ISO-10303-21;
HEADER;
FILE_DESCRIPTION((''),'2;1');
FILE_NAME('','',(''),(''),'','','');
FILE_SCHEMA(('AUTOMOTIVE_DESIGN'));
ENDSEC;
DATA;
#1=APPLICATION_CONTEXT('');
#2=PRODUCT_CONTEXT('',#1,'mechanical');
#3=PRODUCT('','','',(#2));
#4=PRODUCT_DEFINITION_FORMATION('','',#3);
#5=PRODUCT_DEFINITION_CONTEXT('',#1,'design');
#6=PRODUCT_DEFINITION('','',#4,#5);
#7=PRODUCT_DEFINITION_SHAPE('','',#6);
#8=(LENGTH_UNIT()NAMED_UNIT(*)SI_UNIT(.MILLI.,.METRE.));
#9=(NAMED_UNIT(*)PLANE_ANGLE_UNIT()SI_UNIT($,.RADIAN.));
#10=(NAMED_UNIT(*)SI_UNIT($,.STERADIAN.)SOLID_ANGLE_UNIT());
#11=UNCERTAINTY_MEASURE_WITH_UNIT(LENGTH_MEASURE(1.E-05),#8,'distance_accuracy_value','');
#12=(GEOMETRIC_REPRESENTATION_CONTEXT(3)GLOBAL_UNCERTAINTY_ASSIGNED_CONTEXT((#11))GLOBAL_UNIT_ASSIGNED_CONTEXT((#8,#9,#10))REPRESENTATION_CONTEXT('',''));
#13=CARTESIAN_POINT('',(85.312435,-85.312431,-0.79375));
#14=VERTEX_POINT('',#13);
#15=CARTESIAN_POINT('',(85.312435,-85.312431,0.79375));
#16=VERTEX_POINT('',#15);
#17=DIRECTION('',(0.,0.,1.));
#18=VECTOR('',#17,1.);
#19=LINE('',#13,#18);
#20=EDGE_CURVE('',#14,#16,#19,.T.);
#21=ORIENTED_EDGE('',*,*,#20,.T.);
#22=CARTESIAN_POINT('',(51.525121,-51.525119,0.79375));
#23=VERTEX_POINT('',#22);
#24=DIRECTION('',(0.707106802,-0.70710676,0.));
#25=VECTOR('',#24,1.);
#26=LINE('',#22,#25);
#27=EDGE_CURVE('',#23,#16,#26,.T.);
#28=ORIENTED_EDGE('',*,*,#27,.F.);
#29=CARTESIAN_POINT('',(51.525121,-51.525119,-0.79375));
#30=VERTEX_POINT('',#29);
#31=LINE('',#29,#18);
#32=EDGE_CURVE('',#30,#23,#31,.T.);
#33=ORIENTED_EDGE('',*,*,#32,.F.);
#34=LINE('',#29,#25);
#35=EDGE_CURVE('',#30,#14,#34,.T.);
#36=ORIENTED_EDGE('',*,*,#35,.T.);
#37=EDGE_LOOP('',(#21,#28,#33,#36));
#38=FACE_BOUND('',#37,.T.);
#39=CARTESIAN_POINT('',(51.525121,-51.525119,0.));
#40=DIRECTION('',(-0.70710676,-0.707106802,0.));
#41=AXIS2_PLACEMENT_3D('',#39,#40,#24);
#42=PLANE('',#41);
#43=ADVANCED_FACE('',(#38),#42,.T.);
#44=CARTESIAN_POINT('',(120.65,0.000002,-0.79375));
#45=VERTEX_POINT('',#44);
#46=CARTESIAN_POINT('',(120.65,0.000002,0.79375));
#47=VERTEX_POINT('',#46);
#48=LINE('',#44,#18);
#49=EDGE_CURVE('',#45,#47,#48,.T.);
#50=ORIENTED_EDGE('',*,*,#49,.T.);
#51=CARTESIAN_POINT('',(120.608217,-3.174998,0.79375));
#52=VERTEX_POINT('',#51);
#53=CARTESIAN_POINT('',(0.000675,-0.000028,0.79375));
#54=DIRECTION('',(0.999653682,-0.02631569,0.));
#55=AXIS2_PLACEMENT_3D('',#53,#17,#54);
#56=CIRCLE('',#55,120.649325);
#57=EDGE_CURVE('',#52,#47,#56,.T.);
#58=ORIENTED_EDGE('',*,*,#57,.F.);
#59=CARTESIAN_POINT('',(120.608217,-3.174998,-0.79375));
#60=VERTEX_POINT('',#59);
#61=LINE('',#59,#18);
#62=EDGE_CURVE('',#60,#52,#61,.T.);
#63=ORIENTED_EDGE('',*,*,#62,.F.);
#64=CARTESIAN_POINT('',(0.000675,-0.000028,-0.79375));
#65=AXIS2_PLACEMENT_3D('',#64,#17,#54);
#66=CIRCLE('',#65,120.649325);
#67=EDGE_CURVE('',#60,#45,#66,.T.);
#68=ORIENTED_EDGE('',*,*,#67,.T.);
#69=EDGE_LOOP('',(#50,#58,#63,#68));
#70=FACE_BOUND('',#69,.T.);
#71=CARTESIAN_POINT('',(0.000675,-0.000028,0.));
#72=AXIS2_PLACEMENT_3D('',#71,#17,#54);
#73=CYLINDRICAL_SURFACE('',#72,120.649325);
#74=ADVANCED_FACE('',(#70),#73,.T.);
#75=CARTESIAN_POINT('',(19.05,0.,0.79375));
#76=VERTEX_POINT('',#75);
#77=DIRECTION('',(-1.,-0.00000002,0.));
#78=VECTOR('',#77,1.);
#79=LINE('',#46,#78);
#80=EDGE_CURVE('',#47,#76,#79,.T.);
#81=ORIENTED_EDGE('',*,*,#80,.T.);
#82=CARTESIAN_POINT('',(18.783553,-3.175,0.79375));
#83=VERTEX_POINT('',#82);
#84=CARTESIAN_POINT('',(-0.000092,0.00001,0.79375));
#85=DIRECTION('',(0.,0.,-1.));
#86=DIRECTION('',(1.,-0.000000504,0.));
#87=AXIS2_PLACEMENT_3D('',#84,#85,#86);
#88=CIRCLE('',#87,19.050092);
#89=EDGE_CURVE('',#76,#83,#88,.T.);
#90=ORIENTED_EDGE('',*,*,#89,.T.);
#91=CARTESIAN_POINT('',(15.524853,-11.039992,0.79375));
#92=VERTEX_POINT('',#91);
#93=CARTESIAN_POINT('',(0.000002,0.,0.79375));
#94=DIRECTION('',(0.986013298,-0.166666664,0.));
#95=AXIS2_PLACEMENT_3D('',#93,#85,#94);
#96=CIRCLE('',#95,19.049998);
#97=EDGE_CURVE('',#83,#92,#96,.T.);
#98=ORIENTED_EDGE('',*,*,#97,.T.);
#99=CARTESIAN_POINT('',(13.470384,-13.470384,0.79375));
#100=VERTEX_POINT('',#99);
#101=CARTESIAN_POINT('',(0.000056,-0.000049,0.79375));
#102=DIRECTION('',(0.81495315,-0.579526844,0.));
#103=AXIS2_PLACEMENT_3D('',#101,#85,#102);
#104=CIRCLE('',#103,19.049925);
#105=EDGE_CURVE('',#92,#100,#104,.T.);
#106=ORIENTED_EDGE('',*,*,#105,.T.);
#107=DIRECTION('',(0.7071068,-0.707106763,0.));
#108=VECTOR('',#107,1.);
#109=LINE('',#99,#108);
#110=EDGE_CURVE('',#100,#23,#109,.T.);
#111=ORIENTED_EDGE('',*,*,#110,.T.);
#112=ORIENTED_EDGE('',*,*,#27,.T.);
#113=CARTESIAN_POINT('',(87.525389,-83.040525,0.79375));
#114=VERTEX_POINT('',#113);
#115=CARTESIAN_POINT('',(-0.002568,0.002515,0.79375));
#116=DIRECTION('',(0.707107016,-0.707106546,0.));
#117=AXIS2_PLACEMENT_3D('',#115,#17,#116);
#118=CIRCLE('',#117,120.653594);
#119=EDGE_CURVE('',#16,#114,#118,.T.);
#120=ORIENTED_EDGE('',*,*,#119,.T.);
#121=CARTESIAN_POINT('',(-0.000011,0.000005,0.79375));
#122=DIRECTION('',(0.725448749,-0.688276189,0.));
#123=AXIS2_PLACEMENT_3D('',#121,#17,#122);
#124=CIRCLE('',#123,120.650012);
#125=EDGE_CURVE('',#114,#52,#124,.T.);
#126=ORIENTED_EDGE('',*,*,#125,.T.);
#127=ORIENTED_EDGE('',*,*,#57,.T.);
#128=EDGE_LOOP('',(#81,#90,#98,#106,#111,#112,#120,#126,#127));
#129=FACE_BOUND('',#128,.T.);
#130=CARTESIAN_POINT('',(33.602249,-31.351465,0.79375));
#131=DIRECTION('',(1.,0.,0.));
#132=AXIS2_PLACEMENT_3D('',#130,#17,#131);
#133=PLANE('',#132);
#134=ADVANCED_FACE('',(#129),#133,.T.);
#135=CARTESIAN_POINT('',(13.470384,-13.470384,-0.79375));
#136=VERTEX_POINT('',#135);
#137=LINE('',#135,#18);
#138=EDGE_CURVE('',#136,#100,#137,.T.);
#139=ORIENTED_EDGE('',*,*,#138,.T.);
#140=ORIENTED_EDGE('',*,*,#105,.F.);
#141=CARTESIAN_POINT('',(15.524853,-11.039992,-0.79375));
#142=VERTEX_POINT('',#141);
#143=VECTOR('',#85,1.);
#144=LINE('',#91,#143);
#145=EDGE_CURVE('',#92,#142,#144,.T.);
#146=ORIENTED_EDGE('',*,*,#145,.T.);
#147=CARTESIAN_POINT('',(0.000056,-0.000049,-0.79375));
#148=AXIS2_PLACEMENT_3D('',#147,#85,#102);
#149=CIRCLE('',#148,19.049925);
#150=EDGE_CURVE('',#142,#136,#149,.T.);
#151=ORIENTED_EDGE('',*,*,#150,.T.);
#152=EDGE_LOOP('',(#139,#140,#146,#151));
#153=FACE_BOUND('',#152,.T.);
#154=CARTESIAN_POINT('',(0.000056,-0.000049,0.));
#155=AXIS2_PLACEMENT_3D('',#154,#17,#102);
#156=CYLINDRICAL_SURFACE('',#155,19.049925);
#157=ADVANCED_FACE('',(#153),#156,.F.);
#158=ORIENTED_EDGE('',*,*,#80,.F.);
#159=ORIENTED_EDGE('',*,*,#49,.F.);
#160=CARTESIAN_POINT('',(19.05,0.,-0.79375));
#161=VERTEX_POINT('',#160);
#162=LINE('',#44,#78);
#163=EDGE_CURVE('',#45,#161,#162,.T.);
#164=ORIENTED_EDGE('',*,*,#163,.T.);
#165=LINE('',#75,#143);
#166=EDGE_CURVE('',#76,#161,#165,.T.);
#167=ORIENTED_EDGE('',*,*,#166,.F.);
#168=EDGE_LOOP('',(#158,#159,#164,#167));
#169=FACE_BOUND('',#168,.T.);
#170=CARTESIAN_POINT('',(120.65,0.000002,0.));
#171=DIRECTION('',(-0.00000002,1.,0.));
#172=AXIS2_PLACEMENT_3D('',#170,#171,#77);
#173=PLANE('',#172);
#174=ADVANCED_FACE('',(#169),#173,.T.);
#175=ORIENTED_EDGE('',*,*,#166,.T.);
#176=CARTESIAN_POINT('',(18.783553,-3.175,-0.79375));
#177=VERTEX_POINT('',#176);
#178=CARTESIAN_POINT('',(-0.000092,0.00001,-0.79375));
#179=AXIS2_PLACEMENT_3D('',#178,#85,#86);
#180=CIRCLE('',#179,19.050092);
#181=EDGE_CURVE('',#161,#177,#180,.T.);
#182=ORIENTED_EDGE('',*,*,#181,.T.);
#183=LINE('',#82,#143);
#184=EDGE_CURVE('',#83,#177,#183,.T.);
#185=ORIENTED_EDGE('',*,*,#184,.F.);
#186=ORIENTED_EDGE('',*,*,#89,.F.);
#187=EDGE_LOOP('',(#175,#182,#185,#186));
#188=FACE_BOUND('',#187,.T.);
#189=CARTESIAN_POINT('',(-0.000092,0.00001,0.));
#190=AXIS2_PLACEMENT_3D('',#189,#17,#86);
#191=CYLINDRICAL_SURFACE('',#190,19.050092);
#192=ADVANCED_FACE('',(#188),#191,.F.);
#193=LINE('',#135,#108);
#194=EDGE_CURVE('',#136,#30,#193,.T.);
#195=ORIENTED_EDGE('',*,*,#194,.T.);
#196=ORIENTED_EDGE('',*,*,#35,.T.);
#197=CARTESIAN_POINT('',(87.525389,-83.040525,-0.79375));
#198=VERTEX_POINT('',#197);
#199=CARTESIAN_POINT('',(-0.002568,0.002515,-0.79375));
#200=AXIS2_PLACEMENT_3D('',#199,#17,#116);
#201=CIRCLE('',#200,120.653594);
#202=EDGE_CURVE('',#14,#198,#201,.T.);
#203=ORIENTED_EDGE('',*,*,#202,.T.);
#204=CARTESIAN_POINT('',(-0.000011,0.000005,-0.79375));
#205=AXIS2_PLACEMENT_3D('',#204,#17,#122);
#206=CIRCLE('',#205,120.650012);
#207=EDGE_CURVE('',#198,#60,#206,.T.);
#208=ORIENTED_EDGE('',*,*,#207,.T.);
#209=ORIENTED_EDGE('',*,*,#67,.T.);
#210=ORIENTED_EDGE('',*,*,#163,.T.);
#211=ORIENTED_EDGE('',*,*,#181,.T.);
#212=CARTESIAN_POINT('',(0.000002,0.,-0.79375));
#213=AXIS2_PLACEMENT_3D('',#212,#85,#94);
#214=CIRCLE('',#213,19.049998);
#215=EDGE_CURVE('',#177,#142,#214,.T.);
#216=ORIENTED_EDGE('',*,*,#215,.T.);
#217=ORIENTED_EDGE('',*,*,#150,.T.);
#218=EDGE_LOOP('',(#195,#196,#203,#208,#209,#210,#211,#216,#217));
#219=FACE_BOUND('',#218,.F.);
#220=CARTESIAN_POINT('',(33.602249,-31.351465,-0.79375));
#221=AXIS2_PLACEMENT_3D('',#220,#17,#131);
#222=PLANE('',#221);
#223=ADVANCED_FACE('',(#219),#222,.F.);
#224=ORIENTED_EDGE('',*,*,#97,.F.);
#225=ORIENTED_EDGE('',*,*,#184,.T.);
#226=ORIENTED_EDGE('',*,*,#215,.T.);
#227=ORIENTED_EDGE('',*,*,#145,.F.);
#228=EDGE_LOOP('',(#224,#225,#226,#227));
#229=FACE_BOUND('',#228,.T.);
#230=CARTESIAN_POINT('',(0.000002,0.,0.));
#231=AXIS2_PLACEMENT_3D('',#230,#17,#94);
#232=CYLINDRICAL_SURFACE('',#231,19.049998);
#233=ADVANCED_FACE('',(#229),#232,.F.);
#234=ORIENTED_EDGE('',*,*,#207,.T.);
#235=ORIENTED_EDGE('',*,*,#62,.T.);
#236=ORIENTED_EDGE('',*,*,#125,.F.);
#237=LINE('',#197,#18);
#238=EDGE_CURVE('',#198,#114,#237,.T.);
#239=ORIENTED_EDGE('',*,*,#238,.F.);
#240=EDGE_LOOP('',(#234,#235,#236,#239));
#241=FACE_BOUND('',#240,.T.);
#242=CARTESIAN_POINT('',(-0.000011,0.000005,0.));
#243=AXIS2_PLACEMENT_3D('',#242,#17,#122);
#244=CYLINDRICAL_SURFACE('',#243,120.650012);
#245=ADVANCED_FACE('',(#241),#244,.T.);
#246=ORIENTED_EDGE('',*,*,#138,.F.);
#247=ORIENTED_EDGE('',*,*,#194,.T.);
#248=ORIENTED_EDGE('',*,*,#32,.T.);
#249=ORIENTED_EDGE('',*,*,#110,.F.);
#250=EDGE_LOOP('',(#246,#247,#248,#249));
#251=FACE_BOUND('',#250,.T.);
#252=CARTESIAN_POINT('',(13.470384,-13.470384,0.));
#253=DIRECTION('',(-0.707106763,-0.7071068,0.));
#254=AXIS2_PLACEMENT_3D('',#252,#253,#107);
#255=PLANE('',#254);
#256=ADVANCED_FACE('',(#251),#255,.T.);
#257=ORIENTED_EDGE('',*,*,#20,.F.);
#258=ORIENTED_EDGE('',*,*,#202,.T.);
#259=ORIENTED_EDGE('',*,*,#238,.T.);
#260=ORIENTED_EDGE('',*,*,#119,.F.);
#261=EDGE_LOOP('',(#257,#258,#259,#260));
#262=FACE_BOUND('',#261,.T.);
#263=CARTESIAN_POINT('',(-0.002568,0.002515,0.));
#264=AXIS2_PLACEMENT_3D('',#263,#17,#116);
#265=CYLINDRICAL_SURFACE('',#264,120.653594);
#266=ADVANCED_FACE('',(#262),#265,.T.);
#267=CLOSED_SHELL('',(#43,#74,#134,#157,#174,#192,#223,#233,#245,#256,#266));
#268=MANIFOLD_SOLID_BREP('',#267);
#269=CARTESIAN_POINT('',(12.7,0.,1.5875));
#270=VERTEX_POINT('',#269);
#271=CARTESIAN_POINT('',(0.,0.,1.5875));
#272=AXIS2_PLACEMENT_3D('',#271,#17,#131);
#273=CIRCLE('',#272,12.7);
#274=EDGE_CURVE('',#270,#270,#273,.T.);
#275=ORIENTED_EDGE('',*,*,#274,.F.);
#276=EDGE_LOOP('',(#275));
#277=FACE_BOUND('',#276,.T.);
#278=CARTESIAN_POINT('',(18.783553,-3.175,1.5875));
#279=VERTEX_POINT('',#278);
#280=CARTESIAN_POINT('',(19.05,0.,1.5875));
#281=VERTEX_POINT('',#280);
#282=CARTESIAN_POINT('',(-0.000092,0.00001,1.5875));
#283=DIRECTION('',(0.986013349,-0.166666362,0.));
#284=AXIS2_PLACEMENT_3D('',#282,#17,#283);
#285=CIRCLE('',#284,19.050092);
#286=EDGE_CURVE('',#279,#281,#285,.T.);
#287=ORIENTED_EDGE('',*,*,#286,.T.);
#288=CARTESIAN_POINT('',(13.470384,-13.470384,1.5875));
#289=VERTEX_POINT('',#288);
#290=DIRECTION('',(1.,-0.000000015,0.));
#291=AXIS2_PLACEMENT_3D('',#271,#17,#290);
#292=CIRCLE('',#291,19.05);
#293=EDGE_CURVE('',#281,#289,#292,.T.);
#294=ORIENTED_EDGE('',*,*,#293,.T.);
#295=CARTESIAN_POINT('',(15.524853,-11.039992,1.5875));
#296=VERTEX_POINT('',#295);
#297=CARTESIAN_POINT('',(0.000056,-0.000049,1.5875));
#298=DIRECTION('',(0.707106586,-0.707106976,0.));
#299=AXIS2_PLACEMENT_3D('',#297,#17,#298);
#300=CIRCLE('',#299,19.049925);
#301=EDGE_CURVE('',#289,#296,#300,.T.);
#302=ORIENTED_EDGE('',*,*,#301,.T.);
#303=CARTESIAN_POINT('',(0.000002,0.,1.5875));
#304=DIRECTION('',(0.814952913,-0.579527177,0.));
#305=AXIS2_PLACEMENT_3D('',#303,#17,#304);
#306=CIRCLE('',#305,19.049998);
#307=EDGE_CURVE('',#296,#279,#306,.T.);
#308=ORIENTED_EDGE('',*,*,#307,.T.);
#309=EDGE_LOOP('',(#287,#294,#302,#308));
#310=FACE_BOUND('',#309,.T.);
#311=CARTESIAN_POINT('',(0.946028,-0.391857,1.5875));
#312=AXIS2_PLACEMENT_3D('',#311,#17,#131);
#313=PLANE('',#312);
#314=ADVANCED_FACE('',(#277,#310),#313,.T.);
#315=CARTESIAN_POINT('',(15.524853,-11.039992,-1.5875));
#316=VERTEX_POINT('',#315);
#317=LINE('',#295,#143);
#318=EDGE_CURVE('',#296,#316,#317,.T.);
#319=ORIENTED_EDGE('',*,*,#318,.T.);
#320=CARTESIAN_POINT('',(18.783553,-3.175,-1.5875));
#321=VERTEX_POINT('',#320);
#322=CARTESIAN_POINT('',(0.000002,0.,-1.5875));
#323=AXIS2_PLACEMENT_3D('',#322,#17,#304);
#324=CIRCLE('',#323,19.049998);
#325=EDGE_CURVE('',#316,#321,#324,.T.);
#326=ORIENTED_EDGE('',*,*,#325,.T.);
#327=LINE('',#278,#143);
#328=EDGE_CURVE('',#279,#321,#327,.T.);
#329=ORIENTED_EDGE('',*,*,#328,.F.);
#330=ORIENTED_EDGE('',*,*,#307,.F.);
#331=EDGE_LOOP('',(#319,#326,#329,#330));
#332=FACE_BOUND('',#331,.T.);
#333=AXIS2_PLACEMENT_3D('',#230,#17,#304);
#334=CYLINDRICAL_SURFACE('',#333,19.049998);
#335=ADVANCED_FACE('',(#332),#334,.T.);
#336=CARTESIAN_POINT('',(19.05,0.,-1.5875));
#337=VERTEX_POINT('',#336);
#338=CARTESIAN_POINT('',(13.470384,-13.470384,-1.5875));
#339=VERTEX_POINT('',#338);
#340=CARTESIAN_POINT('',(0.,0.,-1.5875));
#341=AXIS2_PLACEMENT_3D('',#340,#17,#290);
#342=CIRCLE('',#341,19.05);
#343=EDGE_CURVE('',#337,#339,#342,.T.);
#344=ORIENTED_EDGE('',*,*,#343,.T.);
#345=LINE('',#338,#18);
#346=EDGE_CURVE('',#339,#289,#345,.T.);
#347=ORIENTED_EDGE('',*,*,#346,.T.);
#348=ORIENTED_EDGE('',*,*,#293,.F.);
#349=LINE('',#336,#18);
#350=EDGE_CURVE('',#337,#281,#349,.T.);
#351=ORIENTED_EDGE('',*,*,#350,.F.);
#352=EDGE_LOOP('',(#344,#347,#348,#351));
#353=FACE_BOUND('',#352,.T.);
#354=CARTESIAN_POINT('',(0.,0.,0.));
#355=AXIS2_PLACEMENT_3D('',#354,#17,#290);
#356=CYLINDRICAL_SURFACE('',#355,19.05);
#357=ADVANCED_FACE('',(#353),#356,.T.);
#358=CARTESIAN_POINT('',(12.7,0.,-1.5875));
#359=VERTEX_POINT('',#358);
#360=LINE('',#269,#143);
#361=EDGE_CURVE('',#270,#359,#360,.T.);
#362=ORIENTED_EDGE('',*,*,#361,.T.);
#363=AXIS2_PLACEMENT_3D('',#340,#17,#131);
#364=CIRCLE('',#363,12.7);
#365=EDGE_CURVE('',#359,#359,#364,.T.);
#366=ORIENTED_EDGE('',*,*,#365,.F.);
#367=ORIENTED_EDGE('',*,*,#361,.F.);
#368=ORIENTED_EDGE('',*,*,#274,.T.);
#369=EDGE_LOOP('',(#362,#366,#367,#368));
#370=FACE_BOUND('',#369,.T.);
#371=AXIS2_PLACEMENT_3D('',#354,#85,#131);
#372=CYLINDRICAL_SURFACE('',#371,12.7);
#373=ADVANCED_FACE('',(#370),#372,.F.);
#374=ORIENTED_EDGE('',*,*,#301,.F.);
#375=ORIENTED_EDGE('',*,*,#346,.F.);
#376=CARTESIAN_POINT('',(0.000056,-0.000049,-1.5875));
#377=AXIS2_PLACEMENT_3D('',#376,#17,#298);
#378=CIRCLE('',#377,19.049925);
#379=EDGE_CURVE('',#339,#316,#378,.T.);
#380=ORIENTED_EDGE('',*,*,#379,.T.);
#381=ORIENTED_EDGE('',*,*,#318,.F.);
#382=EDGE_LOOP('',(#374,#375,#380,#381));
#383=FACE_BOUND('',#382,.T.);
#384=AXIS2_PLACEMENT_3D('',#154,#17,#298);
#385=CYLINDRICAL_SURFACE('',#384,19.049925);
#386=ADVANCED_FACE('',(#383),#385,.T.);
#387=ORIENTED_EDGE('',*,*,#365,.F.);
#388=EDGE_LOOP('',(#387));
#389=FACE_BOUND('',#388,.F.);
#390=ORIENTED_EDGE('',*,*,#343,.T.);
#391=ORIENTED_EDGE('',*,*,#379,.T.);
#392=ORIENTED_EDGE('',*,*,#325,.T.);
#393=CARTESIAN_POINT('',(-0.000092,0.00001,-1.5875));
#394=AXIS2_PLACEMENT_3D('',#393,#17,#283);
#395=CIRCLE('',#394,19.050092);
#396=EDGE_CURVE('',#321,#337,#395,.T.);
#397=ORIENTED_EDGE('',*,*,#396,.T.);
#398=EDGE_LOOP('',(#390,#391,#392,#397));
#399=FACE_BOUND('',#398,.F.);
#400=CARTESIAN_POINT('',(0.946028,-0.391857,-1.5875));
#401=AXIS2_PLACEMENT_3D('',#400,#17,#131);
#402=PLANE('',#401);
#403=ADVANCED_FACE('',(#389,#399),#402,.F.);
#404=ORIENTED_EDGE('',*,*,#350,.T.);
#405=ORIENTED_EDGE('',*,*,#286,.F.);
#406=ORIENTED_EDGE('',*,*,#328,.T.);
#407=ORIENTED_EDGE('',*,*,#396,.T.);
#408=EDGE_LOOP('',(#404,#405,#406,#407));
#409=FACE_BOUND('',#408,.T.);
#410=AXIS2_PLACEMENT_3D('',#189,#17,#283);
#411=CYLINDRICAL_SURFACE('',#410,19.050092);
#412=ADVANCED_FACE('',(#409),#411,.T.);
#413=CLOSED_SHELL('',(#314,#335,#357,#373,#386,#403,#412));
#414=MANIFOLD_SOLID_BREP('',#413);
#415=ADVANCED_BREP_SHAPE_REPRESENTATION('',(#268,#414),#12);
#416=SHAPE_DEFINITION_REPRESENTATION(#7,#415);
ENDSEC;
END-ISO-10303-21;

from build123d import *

# Parameters (mm, degrees)
F0_R     = 15.875
F0_R_2   = 12.7
F1_DEPTH = 1.5875
F2_DEPTH = 0.79375


with BuildPart() as f1:
    # F0 (on Top) → F1 (new body, symmetric)
    with BuildSketch(Plane.XY):
        with BuildLine():
            ThreePointArc((18.783553, -3.175), (18.983271, -1.59308), (19.05, 0))
            ThreePointArc((19.05, 0), (-17.599905, 7.290119), (13.470384, -13.470384))
            ThreePointArc((13.470384, -13.470384), (14.548459, -12.298164), (15.524853, -11.039992))
            ThreePointArc((15.524853, -11.039992), (17.599182, -7.291864), (18.783553, -3.175))
        make_face()
        Circle(F0_R, mode=Mode.SUBTRACT)
        Circle(F0_R)
        Circle(F0_R_2, mode=Mode.SUBTRACT)
    extrude(amount=F1_DEPTH, both=True)


with BuildPart() as f2:
    # F0 (on Top) → F2 (new body, symmetric)
    with BuildSketch(Plane.XY):
        with BuildLine():
            ThreePointArc((15.524853, -11.039992), (14.548459, -12.298164), (13.470384, -13.470384))
            Line((13.470384, -13.470384), (51.525121, -51.525119))
            Line((51.525121, -51.525119), (53.87627, -49.391408))
            Line((53.87627, -49.391408), (15.524853, -11.039992))
        make_face()
        with BuildLine():
            Line((120.65, 2e-06), (19.05, 0))
            ThreePointArc((19.05, 0), (18.983271, -1.59308), (18.783553, -3.175))
            Line((18.783553, -3.175), (120.608217, -3.174998))
            ThreePointArc((120.608217, -3.174998), (120.639554, -1.587635), (120.65, 2e-06))
        make_face()
        with BuildLine():
            Line((120.608217, -3.174998), (18.783553, -3.175))
            ThreePointArc((18.783553, -3.175), (17.599182, -7.291864), (15.524853, -11.039992))
            Line((15.524853, -11.039992), (53.87627, -49.391408))
            Line((53.87627, -49.391408), (87.525389, -83.040525))
            ThreePointArc((87.525389, -83.040525), (111.465353, -46.172475), (120.608217, -3.174998))
        make_face()
        with BuildLine():
            Line((53.87627, -49.391408), (51.525121, -51.525119))
            Line((51.525121, -51.525119), (85.312435, -85.312431))
            ThreePointArc((85.312435, -85.312431), (86.426377, -84.18375), (87.525389, -83.040525))
            Line((87.525389, -83.040525), (53.87627, -49.391408))
        make_face()
    extrude(amount=F2_DEPTH, both=True)


solid = Compound([f1.part, f2.part])
